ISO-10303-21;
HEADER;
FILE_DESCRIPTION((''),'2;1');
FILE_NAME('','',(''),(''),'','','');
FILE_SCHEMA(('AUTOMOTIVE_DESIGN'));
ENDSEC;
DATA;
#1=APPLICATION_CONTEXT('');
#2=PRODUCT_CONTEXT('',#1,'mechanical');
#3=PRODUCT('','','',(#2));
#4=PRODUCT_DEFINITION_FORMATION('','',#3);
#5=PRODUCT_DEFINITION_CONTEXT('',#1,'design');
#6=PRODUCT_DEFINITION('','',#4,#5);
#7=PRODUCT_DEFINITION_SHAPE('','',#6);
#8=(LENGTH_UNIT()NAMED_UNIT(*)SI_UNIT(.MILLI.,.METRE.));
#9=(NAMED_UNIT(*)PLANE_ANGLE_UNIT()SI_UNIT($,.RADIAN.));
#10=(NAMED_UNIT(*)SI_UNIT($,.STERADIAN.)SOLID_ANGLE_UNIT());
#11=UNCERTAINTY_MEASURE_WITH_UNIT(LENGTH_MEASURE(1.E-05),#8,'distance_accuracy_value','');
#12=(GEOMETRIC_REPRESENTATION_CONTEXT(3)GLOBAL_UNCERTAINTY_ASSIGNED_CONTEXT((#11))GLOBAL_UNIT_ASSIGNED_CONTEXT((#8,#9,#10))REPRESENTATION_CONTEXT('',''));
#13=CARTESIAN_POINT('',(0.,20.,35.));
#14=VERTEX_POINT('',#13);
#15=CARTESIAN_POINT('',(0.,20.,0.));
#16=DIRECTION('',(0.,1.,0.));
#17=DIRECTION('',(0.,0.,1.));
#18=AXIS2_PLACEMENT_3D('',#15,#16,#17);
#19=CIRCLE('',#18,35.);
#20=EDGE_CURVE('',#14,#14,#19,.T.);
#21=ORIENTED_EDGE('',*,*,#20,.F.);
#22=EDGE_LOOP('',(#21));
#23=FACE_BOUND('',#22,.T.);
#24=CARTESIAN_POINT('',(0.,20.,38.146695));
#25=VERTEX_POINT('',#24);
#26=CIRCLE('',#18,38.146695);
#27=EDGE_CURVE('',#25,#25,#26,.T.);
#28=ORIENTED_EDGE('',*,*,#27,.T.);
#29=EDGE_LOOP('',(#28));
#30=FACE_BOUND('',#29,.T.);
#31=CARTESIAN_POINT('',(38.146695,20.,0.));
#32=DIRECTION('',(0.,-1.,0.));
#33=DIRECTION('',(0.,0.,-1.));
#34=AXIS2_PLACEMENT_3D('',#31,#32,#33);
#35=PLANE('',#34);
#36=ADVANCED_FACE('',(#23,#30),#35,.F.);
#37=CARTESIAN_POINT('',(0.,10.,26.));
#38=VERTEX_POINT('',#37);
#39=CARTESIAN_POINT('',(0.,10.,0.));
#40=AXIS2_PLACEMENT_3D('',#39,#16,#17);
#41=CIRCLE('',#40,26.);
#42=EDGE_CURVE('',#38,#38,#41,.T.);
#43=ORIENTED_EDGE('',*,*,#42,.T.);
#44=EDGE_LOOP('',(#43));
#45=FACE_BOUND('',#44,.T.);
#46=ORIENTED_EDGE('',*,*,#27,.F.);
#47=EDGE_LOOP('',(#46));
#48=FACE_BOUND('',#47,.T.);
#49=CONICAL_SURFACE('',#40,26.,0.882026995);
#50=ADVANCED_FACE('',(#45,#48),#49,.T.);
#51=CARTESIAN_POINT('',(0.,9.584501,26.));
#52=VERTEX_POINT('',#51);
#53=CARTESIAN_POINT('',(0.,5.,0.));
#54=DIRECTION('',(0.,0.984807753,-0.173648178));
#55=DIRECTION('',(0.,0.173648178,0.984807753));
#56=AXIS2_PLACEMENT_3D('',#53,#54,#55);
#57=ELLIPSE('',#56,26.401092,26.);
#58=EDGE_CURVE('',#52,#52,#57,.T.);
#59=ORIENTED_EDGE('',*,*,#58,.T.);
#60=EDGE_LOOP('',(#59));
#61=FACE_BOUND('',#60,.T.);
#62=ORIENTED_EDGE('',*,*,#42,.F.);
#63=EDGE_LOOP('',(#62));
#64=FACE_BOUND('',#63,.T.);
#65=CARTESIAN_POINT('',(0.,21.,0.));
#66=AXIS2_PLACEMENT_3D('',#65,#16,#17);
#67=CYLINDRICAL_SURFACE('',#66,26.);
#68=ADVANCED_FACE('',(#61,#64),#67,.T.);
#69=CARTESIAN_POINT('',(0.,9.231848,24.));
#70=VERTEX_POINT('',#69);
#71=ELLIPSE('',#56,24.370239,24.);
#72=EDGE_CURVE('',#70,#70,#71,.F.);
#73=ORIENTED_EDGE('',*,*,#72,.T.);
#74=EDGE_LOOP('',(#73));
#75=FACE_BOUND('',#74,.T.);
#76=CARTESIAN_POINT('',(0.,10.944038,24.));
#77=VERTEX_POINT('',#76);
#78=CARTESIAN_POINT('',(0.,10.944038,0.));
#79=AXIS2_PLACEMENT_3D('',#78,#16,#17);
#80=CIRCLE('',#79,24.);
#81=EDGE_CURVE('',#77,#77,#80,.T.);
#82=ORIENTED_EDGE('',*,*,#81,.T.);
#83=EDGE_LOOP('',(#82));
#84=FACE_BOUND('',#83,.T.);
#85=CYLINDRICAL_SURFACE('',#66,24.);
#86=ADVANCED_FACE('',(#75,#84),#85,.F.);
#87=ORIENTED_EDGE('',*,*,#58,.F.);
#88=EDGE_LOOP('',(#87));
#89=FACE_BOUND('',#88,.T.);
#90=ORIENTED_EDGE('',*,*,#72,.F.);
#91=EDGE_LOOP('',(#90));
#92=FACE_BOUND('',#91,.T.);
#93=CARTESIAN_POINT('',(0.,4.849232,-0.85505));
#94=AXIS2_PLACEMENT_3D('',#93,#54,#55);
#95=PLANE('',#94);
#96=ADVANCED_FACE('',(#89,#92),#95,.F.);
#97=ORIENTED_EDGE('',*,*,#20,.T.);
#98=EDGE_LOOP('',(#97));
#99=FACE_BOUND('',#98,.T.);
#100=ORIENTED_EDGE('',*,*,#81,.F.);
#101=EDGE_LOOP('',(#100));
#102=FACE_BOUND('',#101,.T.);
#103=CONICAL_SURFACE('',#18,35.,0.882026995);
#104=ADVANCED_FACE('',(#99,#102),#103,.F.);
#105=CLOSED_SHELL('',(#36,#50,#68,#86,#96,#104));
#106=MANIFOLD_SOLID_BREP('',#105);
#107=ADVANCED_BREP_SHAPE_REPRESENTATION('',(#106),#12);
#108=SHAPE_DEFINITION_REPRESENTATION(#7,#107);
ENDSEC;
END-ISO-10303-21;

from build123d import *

# Parameters (mm, degrees)
ESQUISSE2_R             = 27.341483355
ENL_V_MAT_EXTRU_1_DEPTH = 57.620245699


with BuildPart() as part:
    # Esquisse1 → Révolution1 (revolve)
    with BuildSketch(Plane.XY):
        Polygon((26, 0), (26, 10), (38.146694728, 20), (35, 20), (24, 10.944038484), (24, 0), align=None)
    revolve(axis=Axis((0, 21, 0), (0, -1, 0)))

    # Esquisse2 → Enlèv. mat.-Extru.1 (cut, through all)
    with BuildSketch(Plane(origin=(0, 4.849231552, -0.855050358), x_dir=(-1, 0, 0), z_dir=(0, 0.984807753012208, -0.17364817766693072))):
        Circle(ESQUISSE2_R)
    extrude(amount=-ENL_V_MAT_EXTRU_1_DEPTH, mode=Mode.SUBTRACT)


solid = part.part
